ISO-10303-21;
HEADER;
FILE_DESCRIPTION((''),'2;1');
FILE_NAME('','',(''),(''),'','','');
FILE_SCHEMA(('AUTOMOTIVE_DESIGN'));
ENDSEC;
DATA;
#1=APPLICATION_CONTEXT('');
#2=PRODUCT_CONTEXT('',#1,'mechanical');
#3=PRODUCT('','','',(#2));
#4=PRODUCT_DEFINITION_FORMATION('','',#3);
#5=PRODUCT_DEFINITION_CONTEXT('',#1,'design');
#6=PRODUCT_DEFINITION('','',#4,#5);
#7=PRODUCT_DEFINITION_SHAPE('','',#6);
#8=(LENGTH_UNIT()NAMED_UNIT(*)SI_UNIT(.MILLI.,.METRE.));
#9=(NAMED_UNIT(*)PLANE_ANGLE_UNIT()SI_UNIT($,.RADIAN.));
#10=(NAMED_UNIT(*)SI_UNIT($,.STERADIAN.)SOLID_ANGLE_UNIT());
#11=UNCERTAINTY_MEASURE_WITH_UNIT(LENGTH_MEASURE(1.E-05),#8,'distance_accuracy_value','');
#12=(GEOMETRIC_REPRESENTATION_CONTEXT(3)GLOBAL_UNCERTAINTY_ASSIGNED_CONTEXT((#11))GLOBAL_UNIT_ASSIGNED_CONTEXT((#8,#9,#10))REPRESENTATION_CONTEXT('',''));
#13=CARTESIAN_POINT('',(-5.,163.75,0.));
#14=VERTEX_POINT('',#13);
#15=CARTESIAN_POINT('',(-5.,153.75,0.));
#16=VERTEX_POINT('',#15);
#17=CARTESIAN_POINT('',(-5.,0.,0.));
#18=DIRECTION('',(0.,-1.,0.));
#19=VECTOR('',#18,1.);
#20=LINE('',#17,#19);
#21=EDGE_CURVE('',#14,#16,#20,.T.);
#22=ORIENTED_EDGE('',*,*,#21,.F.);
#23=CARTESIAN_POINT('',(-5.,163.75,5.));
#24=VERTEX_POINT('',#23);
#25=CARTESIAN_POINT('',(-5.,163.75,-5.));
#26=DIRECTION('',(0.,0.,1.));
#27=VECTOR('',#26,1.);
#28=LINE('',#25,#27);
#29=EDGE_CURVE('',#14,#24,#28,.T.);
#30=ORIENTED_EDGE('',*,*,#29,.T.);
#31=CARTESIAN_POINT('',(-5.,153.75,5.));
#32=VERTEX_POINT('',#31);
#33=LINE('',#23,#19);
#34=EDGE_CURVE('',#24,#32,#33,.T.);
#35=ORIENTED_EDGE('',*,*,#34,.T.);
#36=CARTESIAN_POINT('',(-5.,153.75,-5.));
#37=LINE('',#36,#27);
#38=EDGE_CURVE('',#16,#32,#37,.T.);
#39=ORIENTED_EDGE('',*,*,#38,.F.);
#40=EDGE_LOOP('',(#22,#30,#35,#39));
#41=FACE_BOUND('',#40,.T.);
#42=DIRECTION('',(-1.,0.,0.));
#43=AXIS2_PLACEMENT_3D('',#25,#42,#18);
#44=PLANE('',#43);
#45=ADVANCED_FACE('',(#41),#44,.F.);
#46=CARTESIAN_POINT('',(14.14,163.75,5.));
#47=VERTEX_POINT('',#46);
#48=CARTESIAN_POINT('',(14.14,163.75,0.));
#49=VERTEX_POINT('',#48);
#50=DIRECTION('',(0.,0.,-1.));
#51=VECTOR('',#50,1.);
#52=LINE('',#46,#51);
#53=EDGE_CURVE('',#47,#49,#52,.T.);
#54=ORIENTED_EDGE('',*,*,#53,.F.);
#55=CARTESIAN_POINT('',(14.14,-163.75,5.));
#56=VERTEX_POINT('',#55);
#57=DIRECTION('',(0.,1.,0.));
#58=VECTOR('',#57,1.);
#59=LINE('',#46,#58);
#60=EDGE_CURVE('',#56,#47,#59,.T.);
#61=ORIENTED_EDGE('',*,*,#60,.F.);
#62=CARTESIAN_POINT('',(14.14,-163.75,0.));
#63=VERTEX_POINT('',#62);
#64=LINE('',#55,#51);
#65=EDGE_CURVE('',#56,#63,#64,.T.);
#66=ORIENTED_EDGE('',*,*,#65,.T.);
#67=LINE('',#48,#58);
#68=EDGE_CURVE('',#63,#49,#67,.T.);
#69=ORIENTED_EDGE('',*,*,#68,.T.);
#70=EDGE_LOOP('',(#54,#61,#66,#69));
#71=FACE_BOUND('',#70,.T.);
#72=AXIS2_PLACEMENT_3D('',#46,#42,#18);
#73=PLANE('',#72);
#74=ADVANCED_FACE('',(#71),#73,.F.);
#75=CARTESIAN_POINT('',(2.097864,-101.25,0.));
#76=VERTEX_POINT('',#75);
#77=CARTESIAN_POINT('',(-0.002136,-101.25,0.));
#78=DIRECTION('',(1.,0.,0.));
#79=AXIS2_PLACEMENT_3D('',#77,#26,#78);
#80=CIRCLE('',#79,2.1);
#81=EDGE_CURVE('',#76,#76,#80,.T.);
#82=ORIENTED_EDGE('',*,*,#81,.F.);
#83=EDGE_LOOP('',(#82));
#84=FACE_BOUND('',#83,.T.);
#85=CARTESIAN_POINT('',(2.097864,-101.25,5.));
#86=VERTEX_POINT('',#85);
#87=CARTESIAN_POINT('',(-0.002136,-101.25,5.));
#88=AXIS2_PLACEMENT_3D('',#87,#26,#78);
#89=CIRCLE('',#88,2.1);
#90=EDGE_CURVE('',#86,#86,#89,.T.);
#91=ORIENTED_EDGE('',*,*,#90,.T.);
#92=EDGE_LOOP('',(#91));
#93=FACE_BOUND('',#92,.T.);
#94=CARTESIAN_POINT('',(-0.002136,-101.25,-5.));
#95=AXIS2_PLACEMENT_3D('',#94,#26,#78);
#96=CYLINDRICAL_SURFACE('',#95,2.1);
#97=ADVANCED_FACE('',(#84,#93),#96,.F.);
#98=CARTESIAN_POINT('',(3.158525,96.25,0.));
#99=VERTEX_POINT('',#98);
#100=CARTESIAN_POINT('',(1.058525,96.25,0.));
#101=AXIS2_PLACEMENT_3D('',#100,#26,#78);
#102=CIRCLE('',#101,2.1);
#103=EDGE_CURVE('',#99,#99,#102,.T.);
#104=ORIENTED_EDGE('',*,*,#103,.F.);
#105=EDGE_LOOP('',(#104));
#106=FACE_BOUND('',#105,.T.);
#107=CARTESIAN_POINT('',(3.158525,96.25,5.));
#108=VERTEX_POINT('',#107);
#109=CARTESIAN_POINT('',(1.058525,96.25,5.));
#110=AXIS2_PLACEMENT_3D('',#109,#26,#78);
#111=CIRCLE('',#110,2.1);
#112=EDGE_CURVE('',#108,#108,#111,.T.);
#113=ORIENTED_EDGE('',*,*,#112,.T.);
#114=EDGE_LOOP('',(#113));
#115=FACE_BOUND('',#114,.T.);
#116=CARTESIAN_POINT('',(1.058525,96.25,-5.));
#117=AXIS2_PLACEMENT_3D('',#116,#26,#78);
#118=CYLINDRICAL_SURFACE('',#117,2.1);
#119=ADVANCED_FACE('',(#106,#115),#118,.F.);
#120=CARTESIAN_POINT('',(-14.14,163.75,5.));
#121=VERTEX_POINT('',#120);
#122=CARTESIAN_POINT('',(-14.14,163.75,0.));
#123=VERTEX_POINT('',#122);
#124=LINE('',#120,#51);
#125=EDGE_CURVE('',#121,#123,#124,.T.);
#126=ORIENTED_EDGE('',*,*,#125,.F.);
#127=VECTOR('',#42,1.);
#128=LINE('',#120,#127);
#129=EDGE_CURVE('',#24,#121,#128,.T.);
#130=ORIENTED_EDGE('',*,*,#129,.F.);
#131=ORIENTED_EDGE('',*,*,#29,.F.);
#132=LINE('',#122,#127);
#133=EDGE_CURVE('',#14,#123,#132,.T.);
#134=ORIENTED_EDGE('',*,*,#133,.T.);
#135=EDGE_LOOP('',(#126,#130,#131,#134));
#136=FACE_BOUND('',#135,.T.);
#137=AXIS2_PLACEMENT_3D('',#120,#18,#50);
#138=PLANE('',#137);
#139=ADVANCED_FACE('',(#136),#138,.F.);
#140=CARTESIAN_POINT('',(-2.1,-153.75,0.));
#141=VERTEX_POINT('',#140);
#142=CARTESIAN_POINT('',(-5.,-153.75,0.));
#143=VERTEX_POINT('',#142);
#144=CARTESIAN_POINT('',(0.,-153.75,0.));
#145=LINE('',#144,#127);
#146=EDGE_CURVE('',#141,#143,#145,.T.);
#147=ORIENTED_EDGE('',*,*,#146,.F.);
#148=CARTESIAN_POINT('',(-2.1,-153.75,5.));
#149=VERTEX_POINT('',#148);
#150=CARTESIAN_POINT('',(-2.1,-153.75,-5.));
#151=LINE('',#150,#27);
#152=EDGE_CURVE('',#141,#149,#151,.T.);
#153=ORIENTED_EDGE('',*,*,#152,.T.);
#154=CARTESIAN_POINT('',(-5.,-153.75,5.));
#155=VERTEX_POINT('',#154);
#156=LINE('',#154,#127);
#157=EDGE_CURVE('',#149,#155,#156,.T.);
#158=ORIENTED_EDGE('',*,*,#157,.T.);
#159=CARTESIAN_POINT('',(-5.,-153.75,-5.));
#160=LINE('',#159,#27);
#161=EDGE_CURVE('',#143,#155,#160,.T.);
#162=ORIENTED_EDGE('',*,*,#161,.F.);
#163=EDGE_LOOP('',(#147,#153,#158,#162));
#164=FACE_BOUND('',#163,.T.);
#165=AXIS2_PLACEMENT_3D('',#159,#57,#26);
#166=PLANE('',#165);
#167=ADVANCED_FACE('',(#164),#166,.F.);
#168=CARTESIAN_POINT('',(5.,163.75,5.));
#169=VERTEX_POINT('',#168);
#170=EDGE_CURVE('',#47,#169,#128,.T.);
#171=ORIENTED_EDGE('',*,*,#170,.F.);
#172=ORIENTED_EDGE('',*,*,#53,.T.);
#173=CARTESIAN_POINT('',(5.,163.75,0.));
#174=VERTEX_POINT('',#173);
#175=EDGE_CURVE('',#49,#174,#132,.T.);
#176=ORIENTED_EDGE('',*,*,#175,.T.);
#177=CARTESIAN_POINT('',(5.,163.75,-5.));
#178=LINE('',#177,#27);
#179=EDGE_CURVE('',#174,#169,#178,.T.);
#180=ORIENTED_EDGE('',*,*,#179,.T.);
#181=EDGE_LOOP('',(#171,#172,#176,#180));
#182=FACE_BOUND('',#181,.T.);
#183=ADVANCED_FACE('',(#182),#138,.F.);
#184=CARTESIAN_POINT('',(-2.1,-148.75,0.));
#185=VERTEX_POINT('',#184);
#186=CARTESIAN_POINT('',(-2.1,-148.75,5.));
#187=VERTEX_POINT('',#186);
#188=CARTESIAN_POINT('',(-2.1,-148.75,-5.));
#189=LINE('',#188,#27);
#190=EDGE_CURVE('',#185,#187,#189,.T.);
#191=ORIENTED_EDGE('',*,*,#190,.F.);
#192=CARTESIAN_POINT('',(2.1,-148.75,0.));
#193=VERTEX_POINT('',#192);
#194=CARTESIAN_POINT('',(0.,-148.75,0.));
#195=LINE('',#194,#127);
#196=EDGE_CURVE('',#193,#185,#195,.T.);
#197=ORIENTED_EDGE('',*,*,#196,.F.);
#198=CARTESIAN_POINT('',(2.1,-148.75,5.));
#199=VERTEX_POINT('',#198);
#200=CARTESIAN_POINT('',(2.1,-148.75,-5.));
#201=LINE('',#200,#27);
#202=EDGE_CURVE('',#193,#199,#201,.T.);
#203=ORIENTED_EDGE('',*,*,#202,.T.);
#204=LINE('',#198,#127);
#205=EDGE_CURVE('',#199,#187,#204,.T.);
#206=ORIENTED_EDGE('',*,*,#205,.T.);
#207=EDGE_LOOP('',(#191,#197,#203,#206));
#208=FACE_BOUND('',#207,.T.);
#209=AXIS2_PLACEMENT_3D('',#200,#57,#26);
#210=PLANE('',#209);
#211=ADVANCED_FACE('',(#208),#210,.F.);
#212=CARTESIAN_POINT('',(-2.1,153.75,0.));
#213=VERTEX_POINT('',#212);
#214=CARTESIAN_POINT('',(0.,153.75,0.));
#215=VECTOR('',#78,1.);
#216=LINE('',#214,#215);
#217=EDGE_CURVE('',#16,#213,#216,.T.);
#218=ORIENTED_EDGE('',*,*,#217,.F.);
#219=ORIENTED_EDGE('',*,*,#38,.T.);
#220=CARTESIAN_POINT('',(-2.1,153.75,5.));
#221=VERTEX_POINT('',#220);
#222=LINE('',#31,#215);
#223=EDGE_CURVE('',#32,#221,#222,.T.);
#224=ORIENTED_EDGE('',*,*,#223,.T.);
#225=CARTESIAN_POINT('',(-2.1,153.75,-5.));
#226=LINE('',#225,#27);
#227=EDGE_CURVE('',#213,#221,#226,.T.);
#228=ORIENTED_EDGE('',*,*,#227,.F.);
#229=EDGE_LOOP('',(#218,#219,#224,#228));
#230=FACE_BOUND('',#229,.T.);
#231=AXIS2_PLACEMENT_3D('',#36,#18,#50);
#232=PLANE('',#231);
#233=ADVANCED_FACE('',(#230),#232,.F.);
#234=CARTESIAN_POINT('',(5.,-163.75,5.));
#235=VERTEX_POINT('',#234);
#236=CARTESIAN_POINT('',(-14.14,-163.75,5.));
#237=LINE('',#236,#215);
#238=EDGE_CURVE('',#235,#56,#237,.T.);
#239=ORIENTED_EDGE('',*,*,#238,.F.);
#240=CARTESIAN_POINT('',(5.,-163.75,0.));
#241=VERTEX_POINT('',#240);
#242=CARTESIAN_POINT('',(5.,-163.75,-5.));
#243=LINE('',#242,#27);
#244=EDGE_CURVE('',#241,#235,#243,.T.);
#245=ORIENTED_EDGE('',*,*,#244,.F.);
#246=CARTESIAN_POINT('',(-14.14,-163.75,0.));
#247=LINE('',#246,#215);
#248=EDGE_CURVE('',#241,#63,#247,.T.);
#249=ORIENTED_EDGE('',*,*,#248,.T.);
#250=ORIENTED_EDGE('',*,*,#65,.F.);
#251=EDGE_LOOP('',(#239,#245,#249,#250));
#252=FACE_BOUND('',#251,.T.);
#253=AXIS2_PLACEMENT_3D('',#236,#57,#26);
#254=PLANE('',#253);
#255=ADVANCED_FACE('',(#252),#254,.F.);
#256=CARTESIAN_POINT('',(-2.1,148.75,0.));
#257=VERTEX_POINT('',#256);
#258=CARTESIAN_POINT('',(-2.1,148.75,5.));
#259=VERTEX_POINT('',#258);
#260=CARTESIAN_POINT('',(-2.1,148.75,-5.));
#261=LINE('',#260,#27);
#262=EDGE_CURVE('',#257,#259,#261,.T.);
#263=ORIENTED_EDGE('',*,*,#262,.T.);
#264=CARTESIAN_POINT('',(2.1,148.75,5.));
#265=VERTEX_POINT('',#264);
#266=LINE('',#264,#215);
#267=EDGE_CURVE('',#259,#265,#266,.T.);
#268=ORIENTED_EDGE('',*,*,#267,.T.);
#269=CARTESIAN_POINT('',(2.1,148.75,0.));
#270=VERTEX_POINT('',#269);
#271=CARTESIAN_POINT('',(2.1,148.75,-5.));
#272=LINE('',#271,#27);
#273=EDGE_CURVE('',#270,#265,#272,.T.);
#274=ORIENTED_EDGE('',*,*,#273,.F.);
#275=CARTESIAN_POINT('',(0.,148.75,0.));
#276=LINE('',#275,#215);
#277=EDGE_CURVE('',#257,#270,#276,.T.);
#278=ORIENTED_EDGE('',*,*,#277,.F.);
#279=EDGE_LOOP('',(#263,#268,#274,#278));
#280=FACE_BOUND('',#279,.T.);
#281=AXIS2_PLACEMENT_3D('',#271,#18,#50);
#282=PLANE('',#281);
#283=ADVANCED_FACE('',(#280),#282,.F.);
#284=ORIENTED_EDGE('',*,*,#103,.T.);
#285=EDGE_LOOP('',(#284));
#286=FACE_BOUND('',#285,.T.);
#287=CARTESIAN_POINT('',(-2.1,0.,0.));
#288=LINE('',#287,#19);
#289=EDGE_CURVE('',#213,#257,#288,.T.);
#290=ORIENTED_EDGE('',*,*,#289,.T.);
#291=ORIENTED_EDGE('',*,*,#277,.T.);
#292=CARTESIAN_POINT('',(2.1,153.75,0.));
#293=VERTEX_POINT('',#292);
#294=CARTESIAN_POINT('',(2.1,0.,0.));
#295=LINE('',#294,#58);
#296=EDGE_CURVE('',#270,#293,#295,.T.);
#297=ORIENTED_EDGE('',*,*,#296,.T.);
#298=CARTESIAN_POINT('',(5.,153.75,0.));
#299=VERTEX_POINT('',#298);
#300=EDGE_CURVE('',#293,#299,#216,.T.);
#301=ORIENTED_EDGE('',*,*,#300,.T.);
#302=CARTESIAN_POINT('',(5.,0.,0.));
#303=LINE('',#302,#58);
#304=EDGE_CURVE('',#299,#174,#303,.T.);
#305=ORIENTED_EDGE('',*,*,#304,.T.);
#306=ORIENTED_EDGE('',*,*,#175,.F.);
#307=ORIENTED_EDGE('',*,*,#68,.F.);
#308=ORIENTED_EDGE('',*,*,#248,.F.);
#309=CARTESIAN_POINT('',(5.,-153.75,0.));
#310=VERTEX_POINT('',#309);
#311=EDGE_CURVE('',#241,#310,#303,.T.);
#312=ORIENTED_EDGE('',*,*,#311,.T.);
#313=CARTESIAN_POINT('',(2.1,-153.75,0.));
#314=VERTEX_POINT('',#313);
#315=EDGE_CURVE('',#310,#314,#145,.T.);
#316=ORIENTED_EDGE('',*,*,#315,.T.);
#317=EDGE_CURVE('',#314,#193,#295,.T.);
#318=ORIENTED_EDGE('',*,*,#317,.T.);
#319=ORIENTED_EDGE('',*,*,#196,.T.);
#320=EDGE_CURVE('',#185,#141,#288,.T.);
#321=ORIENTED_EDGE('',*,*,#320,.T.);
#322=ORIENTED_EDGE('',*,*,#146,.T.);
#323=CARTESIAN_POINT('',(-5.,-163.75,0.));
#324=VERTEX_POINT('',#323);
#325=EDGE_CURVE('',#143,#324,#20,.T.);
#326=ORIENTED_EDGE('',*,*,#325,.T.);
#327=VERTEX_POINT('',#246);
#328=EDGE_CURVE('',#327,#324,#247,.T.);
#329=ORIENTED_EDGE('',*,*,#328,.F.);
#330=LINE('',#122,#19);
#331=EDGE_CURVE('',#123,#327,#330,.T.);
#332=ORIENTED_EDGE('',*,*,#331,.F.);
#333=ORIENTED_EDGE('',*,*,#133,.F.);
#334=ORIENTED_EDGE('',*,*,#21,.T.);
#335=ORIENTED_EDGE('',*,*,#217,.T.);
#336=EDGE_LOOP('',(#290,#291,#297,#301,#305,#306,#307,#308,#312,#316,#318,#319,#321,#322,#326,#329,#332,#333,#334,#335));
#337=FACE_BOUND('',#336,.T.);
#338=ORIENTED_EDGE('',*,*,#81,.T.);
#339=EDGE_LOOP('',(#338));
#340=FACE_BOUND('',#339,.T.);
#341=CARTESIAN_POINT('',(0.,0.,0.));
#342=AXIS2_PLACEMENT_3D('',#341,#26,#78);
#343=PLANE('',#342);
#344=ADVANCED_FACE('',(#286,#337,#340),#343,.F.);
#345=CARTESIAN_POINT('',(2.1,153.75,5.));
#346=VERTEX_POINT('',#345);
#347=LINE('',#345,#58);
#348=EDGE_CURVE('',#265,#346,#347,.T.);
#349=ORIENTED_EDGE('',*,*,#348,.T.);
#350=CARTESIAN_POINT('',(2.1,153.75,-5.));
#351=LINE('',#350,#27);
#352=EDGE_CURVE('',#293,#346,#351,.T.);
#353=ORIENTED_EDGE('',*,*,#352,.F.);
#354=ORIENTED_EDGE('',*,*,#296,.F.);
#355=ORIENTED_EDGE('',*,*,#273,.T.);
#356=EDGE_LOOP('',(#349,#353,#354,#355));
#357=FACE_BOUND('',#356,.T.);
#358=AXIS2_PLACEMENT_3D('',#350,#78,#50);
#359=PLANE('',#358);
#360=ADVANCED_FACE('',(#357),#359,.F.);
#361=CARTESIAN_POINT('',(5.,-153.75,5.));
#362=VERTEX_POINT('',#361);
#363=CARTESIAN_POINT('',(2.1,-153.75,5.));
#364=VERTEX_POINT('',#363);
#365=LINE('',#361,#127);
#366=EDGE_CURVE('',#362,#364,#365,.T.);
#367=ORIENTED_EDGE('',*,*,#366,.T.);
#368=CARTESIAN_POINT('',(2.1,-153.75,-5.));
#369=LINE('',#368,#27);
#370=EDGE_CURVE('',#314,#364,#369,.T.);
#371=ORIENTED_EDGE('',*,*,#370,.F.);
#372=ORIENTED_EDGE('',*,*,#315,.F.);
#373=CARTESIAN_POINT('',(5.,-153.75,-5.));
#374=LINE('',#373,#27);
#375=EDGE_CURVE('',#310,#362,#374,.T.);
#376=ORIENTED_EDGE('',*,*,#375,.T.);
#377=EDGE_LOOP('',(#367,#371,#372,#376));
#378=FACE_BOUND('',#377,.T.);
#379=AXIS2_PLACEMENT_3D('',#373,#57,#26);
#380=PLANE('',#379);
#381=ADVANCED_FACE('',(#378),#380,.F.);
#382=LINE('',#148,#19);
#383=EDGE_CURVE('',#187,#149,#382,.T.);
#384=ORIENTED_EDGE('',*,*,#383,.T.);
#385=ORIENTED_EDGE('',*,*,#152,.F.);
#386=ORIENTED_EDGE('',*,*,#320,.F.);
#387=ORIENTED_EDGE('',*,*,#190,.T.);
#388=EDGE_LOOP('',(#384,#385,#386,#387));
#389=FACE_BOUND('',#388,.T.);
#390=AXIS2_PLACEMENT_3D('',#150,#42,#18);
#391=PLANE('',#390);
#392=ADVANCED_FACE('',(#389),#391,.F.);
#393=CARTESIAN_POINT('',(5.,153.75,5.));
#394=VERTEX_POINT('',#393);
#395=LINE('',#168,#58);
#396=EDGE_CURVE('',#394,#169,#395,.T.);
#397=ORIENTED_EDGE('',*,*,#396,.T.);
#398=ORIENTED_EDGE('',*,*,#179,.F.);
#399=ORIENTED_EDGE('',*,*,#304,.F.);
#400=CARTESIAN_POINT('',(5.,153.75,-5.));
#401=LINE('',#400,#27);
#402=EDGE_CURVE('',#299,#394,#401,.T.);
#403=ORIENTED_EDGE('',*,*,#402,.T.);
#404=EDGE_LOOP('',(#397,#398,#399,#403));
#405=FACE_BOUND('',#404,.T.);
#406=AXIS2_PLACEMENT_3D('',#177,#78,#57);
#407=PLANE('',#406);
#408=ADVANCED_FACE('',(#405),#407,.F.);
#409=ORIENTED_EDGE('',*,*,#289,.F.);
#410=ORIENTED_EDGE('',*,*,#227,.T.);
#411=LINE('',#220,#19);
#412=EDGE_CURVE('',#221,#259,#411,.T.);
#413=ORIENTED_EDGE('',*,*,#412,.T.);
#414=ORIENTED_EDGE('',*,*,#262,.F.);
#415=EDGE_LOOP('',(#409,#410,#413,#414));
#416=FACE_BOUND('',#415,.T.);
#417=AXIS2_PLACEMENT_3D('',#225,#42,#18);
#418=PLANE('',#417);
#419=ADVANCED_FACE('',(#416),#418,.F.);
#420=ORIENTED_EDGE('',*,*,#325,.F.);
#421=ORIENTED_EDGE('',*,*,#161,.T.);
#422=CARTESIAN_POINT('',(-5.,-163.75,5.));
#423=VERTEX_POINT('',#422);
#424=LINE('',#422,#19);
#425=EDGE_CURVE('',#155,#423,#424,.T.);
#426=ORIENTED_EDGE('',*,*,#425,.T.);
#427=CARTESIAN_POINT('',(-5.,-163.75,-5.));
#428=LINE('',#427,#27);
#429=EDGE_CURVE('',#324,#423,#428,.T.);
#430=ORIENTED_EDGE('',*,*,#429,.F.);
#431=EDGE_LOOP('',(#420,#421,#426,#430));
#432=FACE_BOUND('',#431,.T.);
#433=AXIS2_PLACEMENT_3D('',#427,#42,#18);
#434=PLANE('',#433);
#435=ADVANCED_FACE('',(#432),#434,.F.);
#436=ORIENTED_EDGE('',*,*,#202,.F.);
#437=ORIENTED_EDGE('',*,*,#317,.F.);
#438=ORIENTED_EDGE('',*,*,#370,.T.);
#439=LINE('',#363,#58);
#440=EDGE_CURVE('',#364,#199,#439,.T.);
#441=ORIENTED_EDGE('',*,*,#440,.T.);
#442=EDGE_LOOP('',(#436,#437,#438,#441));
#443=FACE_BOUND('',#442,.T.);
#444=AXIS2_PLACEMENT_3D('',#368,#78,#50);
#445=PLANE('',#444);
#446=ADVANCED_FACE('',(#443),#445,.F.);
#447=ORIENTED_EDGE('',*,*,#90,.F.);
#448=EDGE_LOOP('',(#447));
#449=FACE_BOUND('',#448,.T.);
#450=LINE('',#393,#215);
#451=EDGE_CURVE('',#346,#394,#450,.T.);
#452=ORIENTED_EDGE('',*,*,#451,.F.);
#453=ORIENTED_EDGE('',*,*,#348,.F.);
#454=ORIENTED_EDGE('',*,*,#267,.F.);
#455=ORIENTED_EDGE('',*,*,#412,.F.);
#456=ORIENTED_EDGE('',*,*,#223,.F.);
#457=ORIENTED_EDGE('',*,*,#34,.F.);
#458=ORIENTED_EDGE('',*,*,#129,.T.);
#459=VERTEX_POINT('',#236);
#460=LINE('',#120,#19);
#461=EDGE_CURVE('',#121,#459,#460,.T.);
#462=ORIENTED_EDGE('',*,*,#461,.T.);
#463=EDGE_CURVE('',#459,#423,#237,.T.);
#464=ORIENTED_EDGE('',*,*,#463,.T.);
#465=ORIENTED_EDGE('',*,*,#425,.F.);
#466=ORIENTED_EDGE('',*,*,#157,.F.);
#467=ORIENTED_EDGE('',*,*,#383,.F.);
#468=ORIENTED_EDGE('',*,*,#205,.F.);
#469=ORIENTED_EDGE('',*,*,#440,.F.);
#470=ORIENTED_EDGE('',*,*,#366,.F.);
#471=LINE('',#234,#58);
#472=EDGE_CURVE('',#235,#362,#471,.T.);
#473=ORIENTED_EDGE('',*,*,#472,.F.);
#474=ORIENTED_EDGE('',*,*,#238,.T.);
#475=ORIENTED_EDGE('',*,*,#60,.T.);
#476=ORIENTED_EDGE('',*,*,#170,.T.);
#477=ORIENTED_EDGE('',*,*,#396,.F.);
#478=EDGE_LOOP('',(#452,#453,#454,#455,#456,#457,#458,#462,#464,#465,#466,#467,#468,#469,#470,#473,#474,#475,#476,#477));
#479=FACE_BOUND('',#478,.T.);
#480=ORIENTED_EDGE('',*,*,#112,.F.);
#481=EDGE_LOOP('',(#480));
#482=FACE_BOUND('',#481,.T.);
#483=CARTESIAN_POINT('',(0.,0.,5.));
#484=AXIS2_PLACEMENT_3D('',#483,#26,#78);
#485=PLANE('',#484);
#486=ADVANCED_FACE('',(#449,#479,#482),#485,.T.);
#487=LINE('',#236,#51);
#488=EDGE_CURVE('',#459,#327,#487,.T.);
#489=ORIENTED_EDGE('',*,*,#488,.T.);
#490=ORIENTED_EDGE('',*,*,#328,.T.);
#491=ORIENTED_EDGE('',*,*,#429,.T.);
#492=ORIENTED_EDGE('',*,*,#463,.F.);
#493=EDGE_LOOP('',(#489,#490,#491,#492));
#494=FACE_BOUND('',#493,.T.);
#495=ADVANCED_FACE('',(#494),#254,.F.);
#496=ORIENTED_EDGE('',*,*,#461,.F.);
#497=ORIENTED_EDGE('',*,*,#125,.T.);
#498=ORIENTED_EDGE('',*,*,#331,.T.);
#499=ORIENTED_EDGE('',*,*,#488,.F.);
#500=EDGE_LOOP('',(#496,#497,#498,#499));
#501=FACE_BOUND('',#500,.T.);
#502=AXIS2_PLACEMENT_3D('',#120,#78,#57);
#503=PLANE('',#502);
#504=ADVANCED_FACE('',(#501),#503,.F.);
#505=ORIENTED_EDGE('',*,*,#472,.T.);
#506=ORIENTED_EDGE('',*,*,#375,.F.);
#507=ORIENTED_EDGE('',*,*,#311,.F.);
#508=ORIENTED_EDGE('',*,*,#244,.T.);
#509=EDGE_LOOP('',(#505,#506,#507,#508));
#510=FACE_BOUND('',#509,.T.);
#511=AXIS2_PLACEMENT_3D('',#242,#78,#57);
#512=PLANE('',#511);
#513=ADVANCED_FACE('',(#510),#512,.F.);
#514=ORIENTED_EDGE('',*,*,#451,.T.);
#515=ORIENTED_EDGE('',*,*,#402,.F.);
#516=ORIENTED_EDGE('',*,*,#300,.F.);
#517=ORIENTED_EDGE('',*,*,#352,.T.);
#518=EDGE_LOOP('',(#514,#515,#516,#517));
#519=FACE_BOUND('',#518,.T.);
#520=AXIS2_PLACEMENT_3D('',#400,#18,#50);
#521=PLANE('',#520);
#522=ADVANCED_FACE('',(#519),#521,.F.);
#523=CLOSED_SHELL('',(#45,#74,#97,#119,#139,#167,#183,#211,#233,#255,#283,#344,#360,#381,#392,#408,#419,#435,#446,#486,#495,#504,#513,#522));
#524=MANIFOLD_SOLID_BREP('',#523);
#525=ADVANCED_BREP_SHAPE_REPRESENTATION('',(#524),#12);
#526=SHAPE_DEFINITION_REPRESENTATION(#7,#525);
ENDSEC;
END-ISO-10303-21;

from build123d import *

# Parameters (mm, degrees)
SKETCH1_W           = 28.28
SKETCH1_H           = 327.5
BOSS_EXTRUDE1_DEPTH = 5
SKETCH2_R           = 2.1
CUT_EXTRUDE1_DEPTH  = 10
SKETCH3_R           = 2.1
CUT_EXTRUDE2_DEPTH  = 10


with BuildPart() as part:
    # Sketch1 → Boss-Extrude1 (new body)
    with BuildSketch(Plane.XY):
        Rectangle(SKETCH1_W, SKETCH1_H)
    extrude(amount=BOSS_EXTRUDE1_DEPTH)

    # Sketch2 → Cut-Extrude1 (cut)
    with BuildSketch(Plane.XY.offset(5)):
        with Locations((1.058524548, 96.25)):
            Circle(SKETCH2_R)
        Polygon((5, 163.75), (5, 153.75), (2.1, 153.75), (2.1, 148.75), (-2.1, 148.75), (-2.1, 153.75), (-5, 153.75), (-5, 163.75), align=None)
        Polygon((2.1, -148.75), (-2.1, -148.75), (-2.1, -153.75), (-5, -153.75), (-5, -163.75), (5, -163.75), (5, -153.75), (2.1, -153.75), align=None)
    extrude(amount=-CUT_EXTRUDE1_DEPTH, mode=Mode.SUBTRACT)

    # Sketch3 → Cut-Extrude2 (cut)
    with BuildSketch(Plane.XY.offset(5)):
        with Locations((-0.002135624, -101.25)):
            Circle(SKETCH3_R)
    extrude(amount=-CUT_EXTRUDE2_DEPTH, mode=Mode.SUBTRACT)


solid = part.part
